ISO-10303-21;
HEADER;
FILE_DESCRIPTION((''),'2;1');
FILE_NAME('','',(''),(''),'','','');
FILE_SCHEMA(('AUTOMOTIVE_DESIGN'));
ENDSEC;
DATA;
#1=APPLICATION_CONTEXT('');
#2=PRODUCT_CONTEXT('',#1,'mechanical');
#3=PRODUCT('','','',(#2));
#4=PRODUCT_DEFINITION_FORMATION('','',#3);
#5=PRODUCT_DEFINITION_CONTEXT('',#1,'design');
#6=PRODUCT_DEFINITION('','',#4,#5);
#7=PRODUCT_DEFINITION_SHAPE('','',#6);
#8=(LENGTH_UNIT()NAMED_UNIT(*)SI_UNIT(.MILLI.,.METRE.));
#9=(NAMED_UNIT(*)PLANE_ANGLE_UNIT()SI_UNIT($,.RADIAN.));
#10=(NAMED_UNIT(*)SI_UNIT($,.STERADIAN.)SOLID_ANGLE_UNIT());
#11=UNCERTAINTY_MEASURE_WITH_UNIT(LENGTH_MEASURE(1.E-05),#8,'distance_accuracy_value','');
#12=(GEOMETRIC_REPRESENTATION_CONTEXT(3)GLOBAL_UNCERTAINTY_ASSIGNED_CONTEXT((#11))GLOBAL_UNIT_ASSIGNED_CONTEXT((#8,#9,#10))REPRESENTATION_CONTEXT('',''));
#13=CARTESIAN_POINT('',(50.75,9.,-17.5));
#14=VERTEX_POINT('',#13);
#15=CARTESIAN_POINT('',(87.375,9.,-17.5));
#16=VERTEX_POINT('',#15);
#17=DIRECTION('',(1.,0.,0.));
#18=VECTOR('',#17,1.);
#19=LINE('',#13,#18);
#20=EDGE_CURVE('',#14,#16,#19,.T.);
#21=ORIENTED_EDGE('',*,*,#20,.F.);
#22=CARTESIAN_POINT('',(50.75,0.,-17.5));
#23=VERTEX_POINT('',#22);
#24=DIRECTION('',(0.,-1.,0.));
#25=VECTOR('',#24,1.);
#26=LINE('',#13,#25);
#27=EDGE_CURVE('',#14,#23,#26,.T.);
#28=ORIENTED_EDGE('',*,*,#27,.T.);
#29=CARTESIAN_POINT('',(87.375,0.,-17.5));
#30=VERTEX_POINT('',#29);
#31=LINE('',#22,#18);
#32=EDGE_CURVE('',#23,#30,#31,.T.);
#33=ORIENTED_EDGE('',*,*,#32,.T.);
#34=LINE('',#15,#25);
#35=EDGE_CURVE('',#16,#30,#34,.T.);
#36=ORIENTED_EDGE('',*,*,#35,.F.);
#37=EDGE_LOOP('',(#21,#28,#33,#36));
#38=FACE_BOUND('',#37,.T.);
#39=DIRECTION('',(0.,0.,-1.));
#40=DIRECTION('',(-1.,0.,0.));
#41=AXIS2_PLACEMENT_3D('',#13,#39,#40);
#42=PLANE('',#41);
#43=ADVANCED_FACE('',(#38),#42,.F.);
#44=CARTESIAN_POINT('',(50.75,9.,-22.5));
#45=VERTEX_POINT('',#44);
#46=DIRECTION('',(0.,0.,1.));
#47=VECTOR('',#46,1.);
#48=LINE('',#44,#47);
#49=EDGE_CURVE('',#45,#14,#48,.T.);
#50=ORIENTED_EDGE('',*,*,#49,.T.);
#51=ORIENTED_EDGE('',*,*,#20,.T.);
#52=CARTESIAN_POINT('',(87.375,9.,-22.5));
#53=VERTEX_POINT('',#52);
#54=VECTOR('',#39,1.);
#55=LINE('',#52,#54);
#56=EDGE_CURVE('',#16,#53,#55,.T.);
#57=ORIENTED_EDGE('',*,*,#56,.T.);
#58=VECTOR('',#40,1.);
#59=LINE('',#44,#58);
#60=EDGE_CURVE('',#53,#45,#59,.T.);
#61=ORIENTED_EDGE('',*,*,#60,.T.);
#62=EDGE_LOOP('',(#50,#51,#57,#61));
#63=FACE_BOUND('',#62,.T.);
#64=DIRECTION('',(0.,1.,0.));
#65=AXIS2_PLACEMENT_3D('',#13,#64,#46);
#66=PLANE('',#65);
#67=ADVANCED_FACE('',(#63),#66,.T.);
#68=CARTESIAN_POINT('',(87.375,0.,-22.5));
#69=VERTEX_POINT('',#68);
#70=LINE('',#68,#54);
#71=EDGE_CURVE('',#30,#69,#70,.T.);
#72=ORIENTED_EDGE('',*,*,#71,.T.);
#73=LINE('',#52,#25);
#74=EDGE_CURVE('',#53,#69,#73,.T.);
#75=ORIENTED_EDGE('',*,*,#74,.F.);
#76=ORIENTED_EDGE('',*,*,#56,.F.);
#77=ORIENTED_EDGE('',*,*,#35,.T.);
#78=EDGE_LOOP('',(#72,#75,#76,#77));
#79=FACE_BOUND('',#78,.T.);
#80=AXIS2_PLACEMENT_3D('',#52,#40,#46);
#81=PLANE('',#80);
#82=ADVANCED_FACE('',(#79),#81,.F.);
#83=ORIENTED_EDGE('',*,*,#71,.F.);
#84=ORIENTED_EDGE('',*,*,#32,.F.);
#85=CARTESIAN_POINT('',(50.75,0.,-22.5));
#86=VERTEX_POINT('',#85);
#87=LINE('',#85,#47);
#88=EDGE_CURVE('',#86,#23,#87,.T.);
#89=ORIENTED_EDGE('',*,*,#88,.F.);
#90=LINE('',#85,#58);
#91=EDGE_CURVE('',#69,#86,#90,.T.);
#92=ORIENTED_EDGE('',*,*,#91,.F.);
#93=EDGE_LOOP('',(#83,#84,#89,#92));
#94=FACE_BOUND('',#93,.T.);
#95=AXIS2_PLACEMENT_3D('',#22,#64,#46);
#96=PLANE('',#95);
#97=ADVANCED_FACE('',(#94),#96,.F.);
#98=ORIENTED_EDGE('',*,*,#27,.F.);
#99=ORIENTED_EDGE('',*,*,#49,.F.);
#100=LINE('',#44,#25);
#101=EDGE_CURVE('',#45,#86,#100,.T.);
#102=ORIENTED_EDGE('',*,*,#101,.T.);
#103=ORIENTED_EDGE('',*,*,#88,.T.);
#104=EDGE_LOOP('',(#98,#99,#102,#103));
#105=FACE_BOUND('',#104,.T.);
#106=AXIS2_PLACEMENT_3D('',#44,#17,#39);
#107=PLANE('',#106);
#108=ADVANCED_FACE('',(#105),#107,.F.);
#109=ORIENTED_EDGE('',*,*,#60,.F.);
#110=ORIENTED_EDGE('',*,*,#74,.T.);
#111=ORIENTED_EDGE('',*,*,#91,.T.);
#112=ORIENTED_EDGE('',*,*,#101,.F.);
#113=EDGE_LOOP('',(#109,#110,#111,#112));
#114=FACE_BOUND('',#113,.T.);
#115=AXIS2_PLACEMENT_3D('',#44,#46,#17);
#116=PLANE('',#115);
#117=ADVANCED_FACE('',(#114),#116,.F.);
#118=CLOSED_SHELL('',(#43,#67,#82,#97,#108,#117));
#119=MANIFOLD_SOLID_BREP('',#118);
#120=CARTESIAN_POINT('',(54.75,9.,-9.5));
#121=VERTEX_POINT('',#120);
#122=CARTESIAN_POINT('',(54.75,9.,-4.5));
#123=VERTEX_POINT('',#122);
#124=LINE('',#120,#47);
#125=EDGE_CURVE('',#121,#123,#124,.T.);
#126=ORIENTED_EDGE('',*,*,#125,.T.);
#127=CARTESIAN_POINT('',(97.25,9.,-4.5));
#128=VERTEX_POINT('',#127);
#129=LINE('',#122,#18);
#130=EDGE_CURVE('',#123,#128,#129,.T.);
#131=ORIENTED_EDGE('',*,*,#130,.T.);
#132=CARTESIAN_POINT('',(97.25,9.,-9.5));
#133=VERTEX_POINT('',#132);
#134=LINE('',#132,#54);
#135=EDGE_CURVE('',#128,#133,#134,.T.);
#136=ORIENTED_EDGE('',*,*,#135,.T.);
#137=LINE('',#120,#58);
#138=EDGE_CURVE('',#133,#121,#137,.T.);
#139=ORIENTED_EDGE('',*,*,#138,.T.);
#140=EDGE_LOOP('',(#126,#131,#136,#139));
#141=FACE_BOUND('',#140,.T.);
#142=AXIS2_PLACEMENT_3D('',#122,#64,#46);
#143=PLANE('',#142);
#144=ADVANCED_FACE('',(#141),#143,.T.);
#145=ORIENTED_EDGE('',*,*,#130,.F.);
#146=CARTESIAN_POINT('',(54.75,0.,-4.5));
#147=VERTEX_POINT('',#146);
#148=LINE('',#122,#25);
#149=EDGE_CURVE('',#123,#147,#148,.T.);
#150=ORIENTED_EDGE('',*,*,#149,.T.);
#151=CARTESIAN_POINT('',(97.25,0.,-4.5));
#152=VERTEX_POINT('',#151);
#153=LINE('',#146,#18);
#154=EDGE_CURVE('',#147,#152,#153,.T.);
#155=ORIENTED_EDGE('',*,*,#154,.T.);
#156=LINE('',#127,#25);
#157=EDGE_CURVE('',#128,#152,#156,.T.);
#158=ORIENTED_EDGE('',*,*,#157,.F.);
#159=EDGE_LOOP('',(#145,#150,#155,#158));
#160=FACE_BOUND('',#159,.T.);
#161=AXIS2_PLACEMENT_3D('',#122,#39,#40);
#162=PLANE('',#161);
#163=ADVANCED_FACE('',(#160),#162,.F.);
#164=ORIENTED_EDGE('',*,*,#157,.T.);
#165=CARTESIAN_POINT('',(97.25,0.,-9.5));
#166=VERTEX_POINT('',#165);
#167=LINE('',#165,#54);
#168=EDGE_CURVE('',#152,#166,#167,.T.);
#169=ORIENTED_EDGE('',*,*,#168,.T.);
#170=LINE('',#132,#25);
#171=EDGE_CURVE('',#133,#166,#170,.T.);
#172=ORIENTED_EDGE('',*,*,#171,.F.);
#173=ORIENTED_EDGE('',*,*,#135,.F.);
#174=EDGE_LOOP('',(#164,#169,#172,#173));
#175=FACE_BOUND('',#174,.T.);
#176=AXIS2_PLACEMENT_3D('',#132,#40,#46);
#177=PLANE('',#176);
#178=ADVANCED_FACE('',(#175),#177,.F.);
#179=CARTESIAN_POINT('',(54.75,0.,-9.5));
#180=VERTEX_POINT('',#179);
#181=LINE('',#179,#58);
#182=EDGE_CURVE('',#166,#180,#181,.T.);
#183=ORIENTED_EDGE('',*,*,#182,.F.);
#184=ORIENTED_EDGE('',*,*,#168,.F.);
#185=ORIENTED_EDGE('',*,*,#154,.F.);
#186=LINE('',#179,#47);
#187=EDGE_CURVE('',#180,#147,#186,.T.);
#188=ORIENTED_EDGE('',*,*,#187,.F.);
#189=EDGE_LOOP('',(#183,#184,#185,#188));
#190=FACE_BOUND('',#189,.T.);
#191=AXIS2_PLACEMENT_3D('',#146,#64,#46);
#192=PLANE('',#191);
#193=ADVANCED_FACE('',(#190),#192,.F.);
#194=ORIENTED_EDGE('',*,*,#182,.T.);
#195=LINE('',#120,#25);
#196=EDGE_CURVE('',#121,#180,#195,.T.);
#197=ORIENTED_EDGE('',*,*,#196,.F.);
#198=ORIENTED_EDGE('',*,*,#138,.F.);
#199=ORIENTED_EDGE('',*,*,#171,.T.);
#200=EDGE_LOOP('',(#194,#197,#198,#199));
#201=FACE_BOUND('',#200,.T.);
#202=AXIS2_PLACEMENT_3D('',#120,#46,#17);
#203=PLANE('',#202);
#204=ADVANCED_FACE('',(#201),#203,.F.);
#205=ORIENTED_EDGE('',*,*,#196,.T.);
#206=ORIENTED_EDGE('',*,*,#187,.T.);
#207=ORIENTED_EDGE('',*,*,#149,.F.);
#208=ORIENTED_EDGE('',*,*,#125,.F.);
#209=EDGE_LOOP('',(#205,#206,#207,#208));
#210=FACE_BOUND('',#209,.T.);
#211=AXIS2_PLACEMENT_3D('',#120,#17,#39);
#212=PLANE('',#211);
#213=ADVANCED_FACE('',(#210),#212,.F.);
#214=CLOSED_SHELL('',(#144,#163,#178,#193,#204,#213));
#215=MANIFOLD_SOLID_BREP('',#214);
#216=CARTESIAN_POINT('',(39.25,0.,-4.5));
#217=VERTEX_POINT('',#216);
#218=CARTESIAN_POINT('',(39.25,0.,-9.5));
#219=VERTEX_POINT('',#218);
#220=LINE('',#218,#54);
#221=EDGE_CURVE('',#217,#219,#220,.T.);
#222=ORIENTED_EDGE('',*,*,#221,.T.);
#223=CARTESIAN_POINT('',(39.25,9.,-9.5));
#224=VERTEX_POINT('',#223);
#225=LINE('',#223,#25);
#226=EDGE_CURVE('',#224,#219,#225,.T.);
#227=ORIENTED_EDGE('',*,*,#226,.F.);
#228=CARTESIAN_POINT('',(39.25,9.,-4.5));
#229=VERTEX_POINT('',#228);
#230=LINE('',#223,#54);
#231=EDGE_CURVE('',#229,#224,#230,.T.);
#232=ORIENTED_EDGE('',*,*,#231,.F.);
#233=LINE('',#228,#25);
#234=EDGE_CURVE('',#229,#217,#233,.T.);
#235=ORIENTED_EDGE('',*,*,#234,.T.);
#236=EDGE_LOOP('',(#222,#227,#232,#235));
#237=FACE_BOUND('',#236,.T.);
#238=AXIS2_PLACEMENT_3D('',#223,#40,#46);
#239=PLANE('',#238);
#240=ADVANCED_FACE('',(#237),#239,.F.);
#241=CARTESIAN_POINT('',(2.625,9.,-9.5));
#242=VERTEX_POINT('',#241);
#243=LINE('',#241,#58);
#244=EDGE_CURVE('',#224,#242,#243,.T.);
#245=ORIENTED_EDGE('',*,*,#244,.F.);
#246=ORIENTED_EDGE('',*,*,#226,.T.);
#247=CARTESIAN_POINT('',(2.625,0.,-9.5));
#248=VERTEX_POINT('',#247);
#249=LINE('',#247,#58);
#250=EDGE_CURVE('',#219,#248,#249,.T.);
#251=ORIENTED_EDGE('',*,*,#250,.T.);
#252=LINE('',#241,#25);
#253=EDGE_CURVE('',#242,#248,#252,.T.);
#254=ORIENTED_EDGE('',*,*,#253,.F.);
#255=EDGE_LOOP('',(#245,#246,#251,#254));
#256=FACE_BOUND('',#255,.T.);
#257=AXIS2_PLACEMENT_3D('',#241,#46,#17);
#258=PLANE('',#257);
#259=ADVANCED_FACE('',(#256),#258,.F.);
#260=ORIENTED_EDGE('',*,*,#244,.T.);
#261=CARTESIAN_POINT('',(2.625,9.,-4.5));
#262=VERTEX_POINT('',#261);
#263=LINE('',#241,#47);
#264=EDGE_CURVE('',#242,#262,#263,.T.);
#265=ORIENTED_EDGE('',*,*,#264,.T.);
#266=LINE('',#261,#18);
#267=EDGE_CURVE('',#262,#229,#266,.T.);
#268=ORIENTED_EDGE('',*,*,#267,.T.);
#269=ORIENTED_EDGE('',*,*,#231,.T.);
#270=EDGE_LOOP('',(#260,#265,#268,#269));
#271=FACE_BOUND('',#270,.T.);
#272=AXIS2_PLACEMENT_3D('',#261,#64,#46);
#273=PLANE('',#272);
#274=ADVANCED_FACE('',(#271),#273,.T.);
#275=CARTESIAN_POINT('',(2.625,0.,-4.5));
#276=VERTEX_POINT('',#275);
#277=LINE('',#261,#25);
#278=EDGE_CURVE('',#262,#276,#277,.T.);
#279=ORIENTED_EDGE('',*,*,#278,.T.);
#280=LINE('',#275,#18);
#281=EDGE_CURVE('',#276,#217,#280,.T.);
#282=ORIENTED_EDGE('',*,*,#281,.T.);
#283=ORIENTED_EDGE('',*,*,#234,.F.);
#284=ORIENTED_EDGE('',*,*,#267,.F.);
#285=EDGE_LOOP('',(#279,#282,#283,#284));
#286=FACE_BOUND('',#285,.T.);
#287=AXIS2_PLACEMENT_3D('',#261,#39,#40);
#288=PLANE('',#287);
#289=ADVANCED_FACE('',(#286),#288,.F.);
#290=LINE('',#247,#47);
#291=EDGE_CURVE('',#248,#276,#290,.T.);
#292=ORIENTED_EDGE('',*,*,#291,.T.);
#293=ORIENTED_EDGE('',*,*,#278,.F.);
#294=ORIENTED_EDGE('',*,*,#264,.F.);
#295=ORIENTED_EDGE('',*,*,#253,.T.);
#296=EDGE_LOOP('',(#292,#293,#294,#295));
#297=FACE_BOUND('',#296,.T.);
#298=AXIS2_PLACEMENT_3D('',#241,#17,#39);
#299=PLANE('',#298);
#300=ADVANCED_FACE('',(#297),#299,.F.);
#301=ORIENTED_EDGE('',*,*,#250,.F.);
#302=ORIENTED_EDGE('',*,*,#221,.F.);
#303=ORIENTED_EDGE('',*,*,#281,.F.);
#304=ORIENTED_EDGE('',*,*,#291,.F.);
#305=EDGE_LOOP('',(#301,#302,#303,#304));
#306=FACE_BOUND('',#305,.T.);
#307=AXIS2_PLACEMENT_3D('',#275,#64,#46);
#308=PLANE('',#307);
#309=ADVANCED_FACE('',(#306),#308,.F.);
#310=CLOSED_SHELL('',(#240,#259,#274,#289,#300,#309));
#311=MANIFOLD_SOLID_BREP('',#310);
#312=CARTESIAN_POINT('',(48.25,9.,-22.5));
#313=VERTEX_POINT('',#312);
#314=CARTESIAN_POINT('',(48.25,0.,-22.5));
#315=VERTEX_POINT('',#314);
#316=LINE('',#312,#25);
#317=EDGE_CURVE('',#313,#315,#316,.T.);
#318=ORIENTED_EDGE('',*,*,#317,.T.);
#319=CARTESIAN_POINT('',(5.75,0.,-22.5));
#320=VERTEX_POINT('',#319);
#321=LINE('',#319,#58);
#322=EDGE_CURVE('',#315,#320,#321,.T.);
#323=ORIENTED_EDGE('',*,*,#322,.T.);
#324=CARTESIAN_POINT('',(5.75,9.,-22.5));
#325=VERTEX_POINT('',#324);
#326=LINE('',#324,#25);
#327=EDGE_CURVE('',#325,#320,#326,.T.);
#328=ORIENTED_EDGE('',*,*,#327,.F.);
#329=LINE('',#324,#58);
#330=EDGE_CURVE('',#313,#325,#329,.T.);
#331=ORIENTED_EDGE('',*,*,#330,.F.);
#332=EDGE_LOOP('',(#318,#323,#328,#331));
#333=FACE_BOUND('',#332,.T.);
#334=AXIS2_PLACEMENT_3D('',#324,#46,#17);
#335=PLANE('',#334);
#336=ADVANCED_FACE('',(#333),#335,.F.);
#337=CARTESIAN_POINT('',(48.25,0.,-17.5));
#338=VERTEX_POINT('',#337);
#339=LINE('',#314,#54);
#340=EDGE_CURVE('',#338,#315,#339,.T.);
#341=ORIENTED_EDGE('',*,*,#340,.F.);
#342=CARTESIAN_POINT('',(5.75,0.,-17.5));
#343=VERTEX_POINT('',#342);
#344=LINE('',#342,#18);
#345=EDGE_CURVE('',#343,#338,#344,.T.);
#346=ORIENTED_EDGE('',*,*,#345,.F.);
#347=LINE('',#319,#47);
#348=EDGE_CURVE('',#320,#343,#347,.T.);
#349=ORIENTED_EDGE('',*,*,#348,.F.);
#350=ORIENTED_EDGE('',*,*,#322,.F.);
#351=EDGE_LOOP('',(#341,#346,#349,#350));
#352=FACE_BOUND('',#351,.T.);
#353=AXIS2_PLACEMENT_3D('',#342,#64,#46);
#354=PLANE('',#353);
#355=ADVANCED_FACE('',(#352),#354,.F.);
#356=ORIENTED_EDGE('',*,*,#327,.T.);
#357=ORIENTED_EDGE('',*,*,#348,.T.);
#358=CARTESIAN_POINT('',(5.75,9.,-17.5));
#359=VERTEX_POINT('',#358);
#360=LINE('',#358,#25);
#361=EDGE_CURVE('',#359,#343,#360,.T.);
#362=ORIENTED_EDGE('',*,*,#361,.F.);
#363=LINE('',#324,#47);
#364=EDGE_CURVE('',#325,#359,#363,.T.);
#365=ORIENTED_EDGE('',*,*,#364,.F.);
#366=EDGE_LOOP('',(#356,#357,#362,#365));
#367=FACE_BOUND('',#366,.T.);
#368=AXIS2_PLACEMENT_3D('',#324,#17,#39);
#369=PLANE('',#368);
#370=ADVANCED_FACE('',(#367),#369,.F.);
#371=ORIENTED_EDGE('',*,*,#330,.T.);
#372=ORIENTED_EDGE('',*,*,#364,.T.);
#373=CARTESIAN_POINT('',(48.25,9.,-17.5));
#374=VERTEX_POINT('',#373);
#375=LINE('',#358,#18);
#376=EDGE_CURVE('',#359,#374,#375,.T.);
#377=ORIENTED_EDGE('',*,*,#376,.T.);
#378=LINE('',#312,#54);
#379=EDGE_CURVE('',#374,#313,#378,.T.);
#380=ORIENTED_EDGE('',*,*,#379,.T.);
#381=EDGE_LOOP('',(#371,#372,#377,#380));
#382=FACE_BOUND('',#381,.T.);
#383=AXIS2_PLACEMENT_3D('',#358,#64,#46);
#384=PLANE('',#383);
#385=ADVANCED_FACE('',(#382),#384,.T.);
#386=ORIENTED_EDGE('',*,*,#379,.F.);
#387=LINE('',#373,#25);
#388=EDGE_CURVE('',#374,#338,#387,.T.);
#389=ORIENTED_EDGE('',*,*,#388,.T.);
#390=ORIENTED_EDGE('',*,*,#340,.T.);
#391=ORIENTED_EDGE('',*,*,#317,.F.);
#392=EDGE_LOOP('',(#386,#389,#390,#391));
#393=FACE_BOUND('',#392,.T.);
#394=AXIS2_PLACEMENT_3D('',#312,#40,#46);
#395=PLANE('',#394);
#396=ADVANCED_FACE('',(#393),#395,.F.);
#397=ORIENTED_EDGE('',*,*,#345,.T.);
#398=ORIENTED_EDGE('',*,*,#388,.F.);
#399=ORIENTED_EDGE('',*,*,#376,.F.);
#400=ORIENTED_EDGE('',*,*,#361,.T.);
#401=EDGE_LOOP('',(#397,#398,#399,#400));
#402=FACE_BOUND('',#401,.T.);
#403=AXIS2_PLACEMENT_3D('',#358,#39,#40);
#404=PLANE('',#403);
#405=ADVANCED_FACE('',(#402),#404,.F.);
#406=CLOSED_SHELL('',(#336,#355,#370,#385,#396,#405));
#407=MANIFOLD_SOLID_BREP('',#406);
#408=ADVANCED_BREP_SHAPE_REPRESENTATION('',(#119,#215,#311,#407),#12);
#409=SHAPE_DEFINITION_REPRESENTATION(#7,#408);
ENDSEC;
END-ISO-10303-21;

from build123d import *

# Parameters (mm, degrees)
SKETCH1_W             = 42.5
SKETCH1_H             = 5
BOSS_EXTRUDE1_DEPTH   = 9
SKETCH1_W_2           = 36.625
BOSS_EXTRUDE1_2_DEPTH = 9
BOSS_EXTRUDE1_3_DEPTH = 9
BOSS_EXTRUDE1_4_DEPTH = 9


with BuildPart() as part:
    # Sketch1 → Boss-Extrude1 (new body)
    with BuildSketch(Plane(origin=(0, 0, 0), x_dir=(1, 0, 0), z_dir=(0, 1, 0))):
        with Locations((76, 7)):
            Rectangle(SKETCH1_W, SKETCH1_H)
    extrude(amount=BOSS_EXTRUDE1_DEPTH)


with BuildPart() as body_2:
    # Sketch1 → Boss-Extrude1 2 (new body)
    with BuildSketch(Plane(origin=(0, 0, 0), x_dir=(1, 0, 0), z_dir=(0, 1, 0))):
        with Locations((20.9375, 7)):
            Rectangle(SKETCH1_W_2, SKETCH1_H)
    extrude(amount=BOSS_EXTRUDE1_2_DEPTH)


with BuildPart() as body_3:
    # Sketch1 → Boss-Extrude1 3 (new body)
    with BuildSketch(Plane(origin=(0, 0, 0), x_dir=(1, 0, 0), z_dir=(0, 1, 0))):
        with Locations((69.0625, 20)):
            Rectangle(SKETCH1_W_2, SKETCH1_H)
    extrude(amount=BOSS_EXTRUDE1_3_DEPTH)


with BuildPart() as body_4:
    # Sketch1 → Boss-Extrude1 4 (new body)
    with BuildSketch(Plane(origin=(0, 0, 0), x_dir=(1, 0, 0), z_dir=(0, 1, 0))):
        with Locations((27, 20)):
            Rectangle(SKETCH1_W, SKETCH1_H)
    extrude(amount=BOSS_EXTRUDE1_4_DEPTH)


solid = Compound([part.part, body_2.part, body_3.part, body_4.part])
